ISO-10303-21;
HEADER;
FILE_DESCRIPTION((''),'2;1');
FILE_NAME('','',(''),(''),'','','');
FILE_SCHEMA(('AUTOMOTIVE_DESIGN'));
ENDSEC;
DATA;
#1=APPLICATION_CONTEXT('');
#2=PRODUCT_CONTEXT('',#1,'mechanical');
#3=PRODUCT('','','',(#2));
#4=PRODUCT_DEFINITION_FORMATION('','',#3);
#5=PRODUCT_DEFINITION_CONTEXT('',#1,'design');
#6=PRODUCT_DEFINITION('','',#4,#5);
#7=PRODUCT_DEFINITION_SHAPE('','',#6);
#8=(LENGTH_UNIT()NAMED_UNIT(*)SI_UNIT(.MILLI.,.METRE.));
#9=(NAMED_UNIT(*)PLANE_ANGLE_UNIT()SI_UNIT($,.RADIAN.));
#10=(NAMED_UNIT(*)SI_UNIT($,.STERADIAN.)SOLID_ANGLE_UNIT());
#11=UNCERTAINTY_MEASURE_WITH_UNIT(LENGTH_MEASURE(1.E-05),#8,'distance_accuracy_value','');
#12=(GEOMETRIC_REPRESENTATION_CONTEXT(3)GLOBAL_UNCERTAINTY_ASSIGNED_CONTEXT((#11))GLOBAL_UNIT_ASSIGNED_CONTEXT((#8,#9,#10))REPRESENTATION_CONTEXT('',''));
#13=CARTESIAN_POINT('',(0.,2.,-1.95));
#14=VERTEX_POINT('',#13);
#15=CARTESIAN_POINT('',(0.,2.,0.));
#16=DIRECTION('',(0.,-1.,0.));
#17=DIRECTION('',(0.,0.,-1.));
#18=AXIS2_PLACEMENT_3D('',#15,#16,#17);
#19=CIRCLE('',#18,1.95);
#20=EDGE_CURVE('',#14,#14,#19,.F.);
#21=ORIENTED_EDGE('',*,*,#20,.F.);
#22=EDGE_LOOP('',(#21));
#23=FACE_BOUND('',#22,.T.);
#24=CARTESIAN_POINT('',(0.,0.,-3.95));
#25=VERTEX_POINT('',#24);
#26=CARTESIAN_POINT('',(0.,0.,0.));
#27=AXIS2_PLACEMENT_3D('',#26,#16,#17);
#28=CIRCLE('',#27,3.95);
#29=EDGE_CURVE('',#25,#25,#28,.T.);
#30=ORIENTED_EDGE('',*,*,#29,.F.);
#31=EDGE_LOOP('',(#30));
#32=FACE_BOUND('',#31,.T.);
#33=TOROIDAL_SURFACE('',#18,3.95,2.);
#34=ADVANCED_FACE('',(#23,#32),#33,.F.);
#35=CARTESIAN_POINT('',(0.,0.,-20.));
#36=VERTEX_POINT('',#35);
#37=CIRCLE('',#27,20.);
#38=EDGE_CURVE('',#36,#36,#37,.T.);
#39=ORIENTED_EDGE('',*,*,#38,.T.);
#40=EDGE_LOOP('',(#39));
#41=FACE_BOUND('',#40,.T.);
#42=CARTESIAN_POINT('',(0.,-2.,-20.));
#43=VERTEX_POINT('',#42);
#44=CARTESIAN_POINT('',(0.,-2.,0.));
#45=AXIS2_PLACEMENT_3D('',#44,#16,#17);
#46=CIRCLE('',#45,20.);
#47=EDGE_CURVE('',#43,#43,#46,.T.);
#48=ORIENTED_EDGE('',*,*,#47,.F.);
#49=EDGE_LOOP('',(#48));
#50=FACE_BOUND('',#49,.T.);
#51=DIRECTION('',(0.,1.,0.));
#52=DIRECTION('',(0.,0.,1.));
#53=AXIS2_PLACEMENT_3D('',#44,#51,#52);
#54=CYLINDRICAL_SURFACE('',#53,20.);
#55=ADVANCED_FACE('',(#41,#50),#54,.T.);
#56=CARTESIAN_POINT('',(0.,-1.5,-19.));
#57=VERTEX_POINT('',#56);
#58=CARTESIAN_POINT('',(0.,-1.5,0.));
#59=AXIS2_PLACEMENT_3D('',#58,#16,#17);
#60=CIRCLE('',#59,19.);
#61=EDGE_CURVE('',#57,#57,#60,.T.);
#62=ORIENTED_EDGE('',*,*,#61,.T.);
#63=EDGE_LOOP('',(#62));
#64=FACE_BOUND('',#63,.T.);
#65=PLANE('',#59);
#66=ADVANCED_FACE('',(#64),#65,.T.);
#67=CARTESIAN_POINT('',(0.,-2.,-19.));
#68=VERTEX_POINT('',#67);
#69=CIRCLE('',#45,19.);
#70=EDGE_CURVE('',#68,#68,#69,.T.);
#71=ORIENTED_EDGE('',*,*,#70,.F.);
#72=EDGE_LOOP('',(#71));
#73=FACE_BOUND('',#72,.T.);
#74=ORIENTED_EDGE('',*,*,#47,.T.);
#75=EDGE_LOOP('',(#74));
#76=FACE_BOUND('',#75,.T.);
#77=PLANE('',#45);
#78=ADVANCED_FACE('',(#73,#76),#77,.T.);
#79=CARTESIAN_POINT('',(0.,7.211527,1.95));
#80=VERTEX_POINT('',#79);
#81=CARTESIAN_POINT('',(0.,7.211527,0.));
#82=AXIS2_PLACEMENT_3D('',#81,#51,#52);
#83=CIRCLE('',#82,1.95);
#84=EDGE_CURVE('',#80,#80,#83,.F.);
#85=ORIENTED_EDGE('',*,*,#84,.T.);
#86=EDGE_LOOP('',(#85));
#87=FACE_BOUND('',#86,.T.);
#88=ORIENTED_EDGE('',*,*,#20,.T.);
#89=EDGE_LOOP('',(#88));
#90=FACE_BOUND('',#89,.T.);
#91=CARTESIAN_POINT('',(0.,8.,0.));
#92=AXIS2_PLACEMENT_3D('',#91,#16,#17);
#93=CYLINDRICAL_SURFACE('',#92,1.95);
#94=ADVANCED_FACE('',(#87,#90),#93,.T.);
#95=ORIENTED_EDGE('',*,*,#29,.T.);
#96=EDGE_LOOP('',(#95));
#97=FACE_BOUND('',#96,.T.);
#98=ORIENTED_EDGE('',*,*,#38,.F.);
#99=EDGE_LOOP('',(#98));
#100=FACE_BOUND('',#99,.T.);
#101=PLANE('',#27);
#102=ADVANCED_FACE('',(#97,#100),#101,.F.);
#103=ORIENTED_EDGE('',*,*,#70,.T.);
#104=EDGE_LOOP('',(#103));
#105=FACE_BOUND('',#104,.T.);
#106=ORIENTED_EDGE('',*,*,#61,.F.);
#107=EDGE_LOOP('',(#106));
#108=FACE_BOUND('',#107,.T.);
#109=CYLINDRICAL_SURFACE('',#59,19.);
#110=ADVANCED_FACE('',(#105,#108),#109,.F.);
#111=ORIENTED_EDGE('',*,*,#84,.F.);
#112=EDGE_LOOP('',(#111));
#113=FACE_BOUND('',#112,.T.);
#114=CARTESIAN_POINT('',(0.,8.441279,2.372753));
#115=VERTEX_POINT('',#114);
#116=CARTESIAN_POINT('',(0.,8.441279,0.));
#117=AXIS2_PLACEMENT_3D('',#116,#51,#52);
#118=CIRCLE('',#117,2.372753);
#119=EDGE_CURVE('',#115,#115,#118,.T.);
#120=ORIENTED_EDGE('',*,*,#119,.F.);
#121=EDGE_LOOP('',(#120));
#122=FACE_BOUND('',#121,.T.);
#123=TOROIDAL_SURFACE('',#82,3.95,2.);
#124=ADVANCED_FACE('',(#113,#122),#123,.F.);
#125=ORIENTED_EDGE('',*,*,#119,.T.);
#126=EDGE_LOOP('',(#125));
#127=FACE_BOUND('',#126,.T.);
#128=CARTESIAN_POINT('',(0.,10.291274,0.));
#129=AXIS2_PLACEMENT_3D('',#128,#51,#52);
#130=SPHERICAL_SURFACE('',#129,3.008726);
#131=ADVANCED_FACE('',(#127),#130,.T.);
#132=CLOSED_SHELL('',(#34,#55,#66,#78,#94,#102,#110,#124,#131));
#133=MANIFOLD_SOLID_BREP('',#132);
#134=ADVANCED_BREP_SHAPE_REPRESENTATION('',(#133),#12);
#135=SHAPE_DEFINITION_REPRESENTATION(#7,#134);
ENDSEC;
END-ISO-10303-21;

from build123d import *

# Parameters (mm, degrees)
CROQUIS2_R              = 1.95
SALIENTE_EXTRUIR1_DEPTH = 8
C_PULA1_FACE_RADIUS     = 1.95
C_PULA1_HEIGHT          = 5.3
CROQUIS15_R             = 20
SALIENTE_EXTRUIR2_DEPTH = 2
FILLET1_R               = 2
SKETCH1_R               = 19
CUT_EXTRUDE1_DEPTH      = 0.5


with BuildPart() as part:
    # Croquis2 → Saliente-Extruir1 (new body)
    with BuildSketch(Plane(origin=(0, 0, 0), x_dir=(1, 0, 0), z_dir=(0, 1, 0))):
        with Locations(Location((0, 0, 0), (0, 0, 270))):
            Circle(CROQUIS2_R)
    extrude(amount=SALIENTE_EXTRUIR1_DEPTH)

    # Cúpula1: a dome of height H over a round flat face of radius A is a cap of a sphere of radius (A * A + H * H) / (2 * H)
    c_pula1_r = (C_PULA1_FACE_RADIUS * C_PULA1_FACE_RADIUS + C_PULA1_HEIGHT * C_PULA1_HEIGHT) / (2 * C_PULA1_HEIGHT)
    c_pula1_base = Plane((0, 8, 0), z_dir=(0, 1, 0))
    with Locations(c_pula1_base.offset(C_PULA1_HEIGHT - c_pula1_r)):
        c_pula1_ball = Sphere(c_pula1_r, mode=Mode.PRIVATE)
    add(split(c_pula1_ball, bisect_by=c_pula1_base, keep=Keep.TOP, mode=Mode.PRIVATE))

    # Croquis15 → Saliente-Extruir2 (add)
    with BuildSketch(Plane(origin=(0, 0, 0), x_dir=(-1, 0, 0), z_dir=(0, -1, 0))):
        with Locations(Location((0, 0, 0), (0, 0, 90))):
            Circle(CROQUIS15_R)
    extrude(amount=SALIENTE_EXTRUIR2_DEPTH)

    # Fillet1
    fillet1_edges = [part.edges().sort_by_distance(p)[0] for p in [
        (0, 8, -1.95),
        (0, 0, -1.95),
    ]]
    fillet(fillet1_edges, radius=FILLET1_R)

    # Sketch1 → Cut-Extrude1 (cut)
    with BuildSketch(Plane.XZ.offset(2)):
        with Locations(Location((0, 0, 0), (0, 0, 270))):
            Circle(SKETCH1_R)
    extrude(amount=-CUT_EXTRUDE1_DEPTH, mode=Mode.SUBTRACT)


solid = part.part
